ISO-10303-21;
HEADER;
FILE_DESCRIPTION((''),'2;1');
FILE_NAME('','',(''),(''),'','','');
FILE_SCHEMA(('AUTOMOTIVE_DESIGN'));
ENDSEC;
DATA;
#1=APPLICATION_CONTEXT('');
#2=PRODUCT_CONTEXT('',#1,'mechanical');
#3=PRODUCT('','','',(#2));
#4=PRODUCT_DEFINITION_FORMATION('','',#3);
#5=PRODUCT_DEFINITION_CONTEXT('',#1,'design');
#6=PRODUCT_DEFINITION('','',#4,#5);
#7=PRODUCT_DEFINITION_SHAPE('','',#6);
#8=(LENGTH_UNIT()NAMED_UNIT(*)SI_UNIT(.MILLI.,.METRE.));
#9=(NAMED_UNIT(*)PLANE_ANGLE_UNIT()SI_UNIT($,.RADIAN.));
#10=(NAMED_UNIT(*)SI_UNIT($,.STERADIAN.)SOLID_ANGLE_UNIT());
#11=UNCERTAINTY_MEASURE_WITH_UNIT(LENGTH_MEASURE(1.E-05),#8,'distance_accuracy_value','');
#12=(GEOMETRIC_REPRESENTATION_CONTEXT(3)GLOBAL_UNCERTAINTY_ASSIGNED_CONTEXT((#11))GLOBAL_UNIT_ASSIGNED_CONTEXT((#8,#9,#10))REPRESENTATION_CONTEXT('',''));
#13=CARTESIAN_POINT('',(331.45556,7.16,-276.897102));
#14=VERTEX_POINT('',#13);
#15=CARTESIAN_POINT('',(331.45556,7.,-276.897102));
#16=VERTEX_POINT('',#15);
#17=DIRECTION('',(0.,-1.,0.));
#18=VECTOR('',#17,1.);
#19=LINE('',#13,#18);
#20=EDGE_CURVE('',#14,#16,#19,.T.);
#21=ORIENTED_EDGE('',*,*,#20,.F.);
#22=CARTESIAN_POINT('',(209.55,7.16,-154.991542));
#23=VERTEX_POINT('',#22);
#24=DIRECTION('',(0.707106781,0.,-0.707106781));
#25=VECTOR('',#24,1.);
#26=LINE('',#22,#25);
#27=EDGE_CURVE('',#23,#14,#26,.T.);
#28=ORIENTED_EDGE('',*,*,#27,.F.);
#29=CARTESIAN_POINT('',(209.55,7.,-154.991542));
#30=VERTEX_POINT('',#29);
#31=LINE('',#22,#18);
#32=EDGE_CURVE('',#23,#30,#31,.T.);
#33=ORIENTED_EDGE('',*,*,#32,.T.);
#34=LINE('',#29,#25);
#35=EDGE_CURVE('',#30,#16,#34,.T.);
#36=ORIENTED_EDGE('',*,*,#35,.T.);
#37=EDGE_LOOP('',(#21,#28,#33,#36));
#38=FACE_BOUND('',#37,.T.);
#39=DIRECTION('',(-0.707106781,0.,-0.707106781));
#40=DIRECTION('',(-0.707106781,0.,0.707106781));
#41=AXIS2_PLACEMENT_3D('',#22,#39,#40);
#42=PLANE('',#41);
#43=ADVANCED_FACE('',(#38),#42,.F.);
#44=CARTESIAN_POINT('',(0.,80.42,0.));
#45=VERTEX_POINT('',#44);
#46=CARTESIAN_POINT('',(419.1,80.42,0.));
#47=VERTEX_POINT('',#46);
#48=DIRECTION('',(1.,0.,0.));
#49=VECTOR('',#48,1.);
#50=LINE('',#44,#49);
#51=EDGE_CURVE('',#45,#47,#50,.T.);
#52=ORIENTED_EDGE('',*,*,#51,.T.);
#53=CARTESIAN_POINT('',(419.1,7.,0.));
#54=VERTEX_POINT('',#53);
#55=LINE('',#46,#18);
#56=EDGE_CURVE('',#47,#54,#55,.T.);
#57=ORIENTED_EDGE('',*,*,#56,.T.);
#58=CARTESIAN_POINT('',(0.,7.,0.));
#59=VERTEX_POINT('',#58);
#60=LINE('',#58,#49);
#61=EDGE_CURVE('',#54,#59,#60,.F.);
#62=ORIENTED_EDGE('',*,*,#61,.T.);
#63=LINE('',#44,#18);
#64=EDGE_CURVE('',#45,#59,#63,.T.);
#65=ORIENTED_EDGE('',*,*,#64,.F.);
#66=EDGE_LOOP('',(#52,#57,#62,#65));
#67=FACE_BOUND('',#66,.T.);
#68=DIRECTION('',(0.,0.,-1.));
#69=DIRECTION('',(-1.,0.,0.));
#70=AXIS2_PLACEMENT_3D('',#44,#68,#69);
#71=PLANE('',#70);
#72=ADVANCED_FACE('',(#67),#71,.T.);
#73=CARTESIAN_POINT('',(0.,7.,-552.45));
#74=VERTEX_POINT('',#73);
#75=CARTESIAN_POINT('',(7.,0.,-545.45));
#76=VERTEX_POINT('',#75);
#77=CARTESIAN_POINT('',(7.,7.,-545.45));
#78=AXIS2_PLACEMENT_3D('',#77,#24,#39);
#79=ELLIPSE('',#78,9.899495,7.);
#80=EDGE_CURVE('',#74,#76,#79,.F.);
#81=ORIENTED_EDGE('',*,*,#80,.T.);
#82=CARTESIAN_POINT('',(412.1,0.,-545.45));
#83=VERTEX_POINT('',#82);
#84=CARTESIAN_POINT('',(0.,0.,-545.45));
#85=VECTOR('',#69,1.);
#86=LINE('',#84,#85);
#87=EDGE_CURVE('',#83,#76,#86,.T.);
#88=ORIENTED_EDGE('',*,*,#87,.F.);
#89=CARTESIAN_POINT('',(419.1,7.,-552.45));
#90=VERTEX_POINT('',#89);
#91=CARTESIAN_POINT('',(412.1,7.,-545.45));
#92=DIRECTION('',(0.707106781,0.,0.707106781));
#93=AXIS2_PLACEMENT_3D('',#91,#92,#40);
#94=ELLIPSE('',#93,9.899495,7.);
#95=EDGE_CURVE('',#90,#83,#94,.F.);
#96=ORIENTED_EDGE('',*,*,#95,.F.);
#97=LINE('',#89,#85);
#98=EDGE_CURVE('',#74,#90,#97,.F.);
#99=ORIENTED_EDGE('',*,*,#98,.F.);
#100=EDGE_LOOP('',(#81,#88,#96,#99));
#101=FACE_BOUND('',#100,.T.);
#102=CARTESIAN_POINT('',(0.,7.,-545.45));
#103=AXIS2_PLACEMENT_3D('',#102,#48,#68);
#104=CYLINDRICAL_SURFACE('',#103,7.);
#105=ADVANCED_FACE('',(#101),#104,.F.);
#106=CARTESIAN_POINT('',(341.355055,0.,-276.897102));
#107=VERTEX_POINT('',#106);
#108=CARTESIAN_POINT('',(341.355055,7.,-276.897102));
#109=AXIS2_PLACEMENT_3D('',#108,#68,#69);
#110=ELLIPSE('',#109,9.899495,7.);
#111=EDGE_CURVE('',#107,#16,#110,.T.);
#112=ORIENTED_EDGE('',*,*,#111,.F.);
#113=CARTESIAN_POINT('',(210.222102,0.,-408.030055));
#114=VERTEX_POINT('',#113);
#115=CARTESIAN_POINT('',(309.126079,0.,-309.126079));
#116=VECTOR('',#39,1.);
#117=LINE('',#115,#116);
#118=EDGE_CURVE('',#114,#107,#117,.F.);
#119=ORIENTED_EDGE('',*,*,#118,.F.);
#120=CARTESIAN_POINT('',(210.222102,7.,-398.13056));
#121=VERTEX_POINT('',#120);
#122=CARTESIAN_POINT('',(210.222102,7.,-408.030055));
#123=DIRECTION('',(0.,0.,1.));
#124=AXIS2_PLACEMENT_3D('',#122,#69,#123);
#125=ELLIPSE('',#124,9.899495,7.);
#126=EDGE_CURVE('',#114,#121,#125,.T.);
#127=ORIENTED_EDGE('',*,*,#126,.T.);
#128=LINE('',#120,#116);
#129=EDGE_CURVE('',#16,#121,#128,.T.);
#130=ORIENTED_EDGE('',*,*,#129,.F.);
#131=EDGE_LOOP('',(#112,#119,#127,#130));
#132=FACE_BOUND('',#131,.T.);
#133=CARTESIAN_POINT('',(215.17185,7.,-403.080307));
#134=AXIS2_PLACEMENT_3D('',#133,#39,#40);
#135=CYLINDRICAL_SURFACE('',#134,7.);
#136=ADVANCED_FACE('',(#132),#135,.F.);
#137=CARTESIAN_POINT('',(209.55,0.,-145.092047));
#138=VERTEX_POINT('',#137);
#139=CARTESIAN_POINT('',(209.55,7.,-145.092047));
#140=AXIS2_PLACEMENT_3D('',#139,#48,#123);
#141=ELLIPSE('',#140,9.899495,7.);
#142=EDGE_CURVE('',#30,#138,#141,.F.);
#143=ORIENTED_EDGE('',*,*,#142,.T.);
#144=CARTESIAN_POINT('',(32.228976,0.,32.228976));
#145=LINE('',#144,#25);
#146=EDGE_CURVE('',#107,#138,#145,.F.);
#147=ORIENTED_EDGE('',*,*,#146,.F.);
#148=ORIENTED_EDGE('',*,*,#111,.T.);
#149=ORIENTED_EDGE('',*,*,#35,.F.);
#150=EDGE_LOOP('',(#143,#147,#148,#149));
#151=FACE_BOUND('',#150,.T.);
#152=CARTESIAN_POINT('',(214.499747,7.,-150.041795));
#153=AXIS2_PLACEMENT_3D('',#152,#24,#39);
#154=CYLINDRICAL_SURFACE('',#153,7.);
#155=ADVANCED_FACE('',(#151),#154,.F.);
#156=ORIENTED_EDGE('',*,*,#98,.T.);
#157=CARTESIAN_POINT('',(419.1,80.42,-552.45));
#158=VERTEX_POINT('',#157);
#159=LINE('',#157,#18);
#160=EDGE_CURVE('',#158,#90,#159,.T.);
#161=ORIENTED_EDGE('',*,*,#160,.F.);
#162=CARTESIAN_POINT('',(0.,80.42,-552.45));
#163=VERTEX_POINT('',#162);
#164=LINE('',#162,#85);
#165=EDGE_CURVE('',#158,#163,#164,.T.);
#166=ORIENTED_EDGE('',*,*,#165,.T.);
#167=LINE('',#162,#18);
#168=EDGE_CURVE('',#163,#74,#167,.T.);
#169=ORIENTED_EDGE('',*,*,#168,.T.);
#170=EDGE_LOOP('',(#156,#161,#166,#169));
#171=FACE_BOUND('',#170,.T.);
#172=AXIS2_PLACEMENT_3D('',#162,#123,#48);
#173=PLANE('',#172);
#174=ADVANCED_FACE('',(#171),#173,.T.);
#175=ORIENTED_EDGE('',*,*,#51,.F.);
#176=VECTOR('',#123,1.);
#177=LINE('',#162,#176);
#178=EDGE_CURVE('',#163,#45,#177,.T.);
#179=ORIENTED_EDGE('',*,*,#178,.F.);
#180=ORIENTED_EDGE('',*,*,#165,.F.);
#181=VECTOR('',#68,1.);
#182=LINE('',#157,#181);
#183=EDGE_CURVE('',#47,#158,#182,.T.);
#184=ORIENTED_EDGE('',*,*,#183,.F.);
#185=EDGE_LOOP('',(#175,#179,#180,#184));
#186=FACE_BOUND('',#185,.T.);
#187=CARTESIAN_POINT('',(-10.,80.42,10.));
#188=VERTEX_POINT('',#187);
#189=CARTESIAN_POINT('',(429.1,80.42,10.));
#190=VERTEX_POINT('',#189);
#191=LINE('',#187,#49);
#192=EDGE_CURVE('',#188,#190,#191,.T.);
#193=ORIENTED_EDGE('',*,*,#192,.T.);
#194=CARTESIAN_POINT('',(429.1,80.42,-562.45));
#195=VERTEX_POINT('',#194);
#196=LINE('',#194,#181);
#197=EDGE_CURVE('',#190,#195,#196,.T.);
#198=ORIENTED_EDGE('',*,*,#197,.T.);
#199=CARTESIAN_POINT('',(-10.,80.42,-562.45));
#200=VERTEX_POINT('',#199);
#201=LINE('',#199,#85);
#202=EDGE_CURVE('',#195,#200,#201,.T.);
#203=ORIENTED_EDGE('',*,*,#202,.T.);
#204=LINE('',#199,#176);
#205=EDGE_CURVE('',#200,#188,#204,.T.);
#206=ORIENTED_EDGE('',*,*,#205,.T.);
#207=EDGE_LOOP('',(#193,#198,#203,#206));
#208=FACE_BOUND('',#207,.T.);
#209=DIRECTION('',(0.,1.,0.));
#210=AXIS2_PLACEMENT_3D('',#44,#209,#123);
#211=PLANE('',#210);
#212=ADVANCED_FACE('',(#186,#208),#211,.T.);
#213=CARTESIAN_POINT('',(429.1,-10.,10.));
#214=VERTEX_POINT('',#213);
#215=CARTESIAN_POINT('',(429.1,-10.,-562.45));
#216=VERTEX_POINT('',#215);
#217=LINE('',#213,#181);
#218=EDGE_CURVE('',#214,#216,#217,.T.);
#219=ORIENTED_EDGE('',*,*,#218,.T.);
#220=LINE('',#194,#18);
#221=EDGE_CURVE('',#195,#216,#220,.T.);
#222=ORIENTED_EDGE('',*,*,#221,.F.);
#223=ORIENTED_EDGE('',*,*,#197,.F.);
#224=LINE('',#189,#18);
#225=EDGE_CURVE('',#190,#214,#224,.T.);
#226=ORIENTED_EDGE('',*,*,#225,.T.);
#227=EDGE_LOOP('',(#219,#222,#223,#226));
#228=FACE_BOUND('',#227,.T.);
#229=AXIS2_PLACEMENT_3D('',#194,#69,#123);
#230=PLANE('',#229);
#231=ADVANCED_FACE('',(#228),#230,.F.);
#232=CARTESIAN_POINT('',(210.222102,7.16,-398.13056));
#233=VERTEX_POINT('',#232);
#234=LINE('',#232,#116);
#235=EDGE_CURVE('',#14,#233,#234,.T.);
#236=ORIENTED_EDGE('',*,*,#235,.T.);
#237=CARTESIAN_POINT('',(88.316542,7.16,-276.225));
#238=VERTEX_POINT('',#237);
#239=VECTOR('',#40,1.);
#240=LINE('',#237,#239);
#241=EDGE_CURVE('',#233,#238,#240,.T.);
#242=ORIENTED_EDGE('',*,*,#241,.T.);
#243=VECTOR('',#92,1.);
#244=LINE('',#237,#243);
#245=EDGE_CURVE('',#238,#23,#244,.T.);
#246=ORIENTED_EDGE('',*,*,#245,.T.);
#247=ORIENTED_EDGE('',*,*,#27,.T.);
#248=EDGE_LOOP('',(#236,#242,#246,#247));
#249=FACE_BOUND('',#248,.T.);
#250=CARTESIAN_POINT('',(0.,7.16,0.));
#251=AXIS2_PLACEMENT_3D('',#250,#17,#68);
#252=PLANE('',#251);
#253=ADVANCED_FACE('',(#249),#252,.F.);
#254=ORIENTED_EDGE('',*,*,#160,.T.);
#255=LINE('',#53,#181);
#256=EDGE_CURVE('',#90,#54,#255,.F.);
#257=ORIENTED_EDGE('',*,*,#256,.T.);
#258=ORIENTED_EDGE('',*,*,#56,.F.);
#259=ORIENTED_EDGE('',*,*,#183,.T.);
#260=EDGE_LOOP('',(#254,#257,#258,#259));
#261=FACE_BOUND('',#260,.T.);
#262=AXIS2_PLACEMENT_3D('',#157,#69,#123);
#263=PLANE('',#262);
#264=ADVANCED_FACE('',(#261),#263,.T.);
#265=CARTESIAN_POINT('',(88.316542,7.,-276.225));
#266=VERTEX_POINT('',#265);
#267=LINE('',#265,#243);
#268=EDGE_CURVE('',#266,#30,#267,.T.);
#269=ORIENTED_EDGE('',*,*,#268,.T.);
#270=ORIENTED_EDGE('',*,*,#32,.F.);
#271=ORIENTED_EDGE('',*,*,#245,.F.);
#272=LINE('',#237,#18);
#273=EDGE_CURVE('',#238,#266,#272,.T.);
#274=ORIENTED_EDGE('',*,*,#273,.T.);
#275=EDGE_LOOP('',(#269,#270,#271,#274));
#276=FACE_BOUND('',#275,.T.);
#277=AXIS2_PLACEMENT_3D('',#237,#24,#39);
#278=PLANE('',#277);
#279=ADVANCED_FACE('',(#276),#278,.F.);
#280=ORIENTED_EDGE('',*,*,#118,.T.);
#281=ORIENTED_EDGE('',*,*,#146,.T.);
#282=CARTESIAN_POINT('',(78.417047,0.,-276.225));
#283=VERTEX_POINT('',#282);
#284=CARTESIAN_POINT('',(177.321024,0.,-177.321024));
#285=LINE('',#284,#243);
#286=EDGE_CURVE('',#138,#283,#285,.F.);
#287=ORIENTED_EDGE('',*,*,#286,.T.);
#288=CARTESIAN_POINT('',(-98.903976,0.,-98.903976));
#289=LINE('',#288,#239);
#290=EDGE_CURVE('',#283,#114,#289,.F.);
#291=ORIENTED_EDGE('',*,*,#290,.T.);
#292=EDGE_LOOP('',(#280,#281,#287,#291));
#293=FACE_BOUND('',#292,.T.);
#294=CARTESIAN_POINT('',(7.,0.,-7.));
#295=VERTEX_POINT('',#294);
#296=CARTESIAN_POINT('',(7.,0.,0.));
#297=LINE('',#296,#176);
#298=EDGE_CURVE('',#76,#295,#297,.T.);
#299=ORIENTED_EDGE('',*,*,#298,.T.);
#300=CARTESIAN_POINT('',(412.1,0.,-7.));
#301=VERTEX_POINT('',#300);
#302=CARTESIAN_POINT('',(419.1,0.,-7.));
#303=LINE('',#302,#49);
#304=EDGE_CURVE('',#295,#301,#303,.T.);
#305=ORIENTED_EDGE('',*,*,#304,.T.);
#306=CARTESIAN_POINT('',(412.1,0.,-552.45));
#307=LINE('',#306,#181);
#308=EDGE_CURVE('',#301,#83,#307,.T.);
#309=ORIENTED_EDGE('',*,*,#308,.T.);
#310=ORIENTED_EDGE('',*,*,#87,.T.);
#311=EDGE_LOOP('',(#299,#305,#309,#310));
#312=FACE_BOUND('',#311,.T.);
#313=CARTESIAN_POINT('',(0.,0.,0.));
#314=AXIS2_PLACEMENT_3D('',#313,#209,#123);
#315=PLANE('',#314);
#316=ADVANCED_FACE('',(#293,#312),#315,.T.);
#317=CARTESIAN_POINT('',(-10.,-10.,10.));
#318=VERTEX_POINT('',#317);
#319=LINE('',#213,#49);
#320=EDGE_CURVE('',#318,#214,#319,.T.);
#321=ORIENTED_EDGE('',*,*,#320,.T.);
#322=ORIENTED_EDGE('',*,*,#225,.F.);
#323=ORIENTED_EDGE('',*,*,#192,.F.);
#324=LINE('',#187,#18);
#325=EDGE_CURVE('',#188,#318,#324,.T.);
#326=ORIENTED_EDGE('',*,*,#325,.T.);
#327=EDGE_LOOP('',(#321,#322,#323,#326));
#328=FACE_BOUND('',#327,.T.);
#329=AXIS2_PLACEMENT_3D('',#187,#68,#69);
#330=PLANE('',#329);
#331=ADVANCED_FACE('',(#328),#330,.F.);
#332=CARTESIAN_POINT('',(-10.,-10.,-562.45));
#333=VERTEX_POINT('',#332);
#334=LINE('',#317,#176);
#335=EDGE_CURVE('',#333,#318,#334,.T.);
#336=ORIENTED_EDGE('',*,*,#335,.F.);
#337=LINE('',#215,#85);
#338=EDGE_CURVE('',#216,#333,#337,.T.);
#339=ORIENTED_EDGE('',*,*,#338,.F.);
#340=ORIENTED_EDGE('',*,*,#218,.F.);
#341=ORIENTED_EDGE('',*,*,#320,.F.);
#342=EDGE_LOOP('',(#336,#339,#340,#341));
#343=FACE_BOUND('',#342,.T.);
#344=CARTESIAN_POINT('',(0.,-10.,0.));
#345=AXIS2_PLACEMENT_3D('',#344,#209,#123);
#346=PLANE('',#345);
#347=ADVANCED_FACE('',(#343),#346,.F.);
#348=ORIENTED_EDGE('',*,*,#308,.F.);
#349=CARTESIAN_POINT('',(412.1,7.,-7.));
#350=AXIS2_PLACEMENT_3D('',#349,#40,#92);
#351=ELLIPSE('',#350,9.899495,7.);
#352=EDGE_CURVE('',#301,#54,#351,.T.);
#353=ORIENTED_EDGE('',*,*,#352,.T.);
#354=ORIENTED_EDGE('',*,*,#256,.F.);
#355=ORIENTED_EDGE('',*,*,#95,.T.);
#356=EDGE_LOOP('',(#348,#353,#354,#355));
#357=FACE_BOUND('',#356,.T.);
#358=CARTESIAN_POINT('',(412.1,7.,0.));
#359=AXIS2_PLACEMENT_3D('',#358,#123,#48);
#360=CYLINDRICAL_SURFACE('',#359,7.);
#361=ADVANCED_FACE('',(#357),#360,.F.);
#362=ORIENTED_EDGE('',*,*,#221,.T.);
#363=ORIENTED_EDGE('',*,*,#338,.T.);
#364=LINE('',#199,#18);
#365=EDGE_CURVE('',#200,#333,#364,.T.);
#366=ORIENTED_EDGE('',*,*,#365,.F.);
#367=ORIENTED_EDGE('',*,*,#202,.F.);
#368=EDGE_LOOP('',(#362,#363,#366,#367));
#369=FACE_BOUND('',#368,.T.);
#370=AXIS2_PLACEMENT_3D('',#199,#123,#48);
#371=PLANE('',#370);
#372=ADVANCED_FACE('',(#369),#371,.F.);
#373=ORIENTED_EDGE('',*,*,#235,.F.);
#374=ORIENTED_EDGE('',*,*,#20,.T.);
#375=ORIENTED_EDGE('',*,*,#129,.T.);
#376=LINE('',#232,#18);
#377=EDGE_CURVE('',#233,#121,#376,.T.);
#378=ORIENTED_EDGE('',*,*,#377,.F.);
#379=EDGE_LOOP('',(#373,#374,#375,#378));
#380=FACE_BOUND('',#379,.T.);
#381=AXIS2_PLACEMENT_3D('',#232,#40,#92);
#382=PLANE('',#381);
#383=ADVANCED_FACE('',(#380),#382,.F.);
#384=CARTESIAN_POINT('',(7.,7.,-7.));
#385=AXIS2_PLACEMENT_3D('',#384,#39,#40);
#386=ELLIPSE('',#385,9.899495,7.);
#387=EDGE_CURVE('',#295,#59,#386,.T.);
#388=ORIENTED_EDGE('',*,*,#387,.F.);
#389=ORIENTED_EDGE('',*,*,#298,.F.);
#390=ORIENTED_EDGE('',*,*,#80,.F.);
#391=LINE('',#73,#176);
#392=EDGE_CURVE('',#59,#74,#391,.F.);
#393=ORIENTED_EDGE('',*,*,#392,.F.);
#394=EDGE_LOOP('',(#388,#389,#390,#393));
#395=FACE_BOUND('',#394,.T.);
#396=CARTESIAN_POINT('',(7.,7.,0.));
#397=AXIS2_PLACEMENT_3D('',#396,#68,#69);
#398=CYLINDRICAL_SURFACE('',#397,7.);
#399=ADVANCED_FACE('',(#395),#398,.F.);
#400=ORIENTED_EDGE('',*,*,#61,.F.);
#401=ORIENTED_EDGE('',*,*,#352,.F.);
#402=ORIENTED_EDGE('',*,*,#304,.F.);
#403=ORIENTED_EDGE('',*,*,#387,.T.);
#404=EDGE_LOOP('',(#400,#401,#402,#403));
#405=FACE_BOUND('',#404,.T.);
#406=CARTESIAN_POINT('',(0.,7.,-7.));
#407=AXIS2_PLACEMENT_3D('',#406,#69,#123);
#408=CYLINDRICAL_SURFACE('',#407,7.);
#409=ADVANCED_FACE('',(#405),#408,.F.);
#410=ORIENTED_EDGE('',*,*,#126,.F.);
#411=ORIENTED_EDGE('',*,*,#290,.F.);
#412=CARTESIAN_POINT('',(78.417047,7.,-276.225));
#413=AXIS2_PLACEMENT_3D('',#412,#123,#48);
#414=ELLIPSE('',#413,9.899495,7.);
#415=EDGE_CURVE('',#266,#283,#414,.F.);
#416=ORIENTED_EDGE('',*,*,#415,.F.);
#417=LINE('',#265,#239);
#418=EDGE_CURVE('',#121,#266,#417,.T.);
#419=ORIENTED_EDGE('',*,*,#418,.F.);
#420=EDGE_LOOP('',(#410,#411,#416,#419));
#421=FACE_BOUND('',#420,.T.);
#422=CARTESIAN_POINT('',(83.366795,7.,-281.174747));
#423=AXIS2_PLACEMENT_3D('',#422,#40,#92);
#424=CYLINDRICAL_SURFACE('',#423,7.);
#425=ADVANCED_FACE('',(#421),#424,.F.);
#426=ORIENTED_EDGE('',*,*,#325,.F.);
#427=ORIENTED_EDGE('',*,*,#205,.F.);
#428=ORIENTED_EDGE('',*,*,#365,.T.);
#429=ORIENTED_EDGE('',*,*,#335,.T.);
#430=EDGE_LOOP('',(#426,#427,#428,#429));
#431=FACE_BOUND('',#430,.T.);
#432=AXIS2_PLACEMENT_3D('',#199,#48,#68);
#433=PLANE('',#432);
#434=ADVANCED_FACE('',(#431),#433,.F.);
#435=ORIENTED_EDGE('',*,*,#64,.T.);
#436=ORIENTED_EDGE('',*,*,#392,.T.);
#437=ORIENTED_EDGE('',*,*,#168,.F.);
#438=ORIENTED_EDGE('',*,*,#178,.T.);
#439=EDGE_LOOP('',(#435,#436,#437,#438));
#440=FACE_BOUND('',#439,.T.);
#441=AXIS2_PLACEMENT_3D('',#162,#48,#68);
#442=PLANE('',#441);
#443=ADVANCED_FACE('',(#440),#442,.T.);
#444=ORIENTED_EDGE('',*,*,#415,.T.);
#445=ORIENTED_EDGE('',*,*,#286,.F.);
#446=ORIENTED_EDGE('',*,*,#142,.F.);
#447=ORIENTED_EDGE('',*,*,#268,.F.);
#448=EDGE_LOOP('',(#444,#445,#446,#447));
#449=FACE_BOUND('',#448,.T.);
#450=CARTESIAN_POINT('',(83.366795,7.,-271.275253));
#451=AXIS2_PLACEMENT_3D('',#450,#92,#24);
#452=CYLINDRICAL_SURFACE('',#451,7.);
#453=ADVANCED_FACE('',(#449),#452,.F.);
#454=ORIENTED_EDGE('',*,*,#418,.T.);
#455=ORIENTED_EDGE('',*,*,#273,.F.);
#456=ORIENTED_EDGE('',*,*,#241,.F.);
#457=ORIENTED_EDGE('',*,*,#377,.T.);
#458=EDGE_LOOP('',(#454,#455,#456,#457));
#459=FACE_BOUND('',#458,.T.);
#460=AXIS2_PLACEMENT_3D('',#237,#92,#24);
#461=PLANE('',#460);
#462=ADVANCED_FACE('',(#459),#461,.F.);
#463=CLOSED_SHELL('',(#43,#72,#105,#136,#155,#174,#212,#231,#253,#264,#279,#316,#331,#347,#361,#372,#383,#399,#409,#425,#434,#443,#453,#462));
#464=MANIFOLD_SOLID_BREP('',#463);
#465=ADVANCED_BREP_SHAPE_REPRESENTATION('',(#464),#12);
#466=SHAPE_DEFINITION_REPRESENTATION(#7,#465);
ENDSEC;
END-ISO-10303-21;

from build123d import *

# Parameters (mm, degrees)
SKETCH2_W           = 439.1
SKETCH2_H           = 572.45
SKETCH2_W_2         = 419.1
SKETCH2_H_2         = 552.45
BOSS_EXTRUDE1_DEPTH = 80.42
BOSS_EXTRUDE2_DEPTH = 7.16
SKETCH4_W           = 439.1
SKETCH4_H           = 572.45
BOSS_EXTRUDE3_DEPTH = 10
FILLET1_R           = 7


with BuildPart() as part:
    # Sketch2 → Boss-Extrude1 (new body)
    with BuildSketch(Plane(origin=(0, 0, 0), x_dir=(1, 0, 0), z_dir=(0, 1, 0))):
        with Locations((209.55, 276.225)):
            Rectangle(SKETCH2_W, SKETCH2_H)
        with Locations((209.55, 276.225)):
            Rectangle(SKETCH2_W_2, SKETCH2_H_2, mode=Mode.SUBTRACT)
    extrude(amount=BOSS_EXTRUDE1_DEPTH)



with BuildPart() as body_2:
    # Sketch3 → Boss-Extrude2 (new body)
    with BuildSketch(Plane(origin=(0, 0, 0), x_dir=(1, 0, 0), z_dir=(0, 1, 0))):
        Polygon((88.316542366, 276.225), (209.55, 154.991542366), (331.455559866, 276.897102232), (210.222102232, 398.130559866), align=None)
    extrude(amount=BOSS_EXTRUDE2_DEPTH)


with BuildPart() as part_1:
    add(part.part)

    add(body_2.part)  # Boss-Extrude3 merges body 2
    # Sketch4 → Boss-Extrude3 (add)
    with BuildSketch(Plane(origin=(0, 0, 0), x_dir=(1, 0, 0), z_dir=(0, 1, 0))):
        with Locations((209.55, 276.225)):
            Rectangle(SKETCH4_W, SKETCH4_H)
    extrude(amount=-BOSS_EXTRUDE3_DEPTH)

    # Fillet1
    fillet1_edges = [part_1.edges().sort_by_distance(p)[0] for p in [
        (0, 0, -276.225),
        (209.55, 0, 0),
        (419.1, 0, -276.225),
        (209.55, 0, -552.45),
        (149.269322299, 0, -337.177779933),
        (148.933271183, 0, -215.608271183),
        (270.502779933, 0, -215.944322299),
        (270.838831049, 0, -337.513831049),
    ]]
    fillet(fillet1_edges, radius=FILLET1_R)


solid = part_1.part
